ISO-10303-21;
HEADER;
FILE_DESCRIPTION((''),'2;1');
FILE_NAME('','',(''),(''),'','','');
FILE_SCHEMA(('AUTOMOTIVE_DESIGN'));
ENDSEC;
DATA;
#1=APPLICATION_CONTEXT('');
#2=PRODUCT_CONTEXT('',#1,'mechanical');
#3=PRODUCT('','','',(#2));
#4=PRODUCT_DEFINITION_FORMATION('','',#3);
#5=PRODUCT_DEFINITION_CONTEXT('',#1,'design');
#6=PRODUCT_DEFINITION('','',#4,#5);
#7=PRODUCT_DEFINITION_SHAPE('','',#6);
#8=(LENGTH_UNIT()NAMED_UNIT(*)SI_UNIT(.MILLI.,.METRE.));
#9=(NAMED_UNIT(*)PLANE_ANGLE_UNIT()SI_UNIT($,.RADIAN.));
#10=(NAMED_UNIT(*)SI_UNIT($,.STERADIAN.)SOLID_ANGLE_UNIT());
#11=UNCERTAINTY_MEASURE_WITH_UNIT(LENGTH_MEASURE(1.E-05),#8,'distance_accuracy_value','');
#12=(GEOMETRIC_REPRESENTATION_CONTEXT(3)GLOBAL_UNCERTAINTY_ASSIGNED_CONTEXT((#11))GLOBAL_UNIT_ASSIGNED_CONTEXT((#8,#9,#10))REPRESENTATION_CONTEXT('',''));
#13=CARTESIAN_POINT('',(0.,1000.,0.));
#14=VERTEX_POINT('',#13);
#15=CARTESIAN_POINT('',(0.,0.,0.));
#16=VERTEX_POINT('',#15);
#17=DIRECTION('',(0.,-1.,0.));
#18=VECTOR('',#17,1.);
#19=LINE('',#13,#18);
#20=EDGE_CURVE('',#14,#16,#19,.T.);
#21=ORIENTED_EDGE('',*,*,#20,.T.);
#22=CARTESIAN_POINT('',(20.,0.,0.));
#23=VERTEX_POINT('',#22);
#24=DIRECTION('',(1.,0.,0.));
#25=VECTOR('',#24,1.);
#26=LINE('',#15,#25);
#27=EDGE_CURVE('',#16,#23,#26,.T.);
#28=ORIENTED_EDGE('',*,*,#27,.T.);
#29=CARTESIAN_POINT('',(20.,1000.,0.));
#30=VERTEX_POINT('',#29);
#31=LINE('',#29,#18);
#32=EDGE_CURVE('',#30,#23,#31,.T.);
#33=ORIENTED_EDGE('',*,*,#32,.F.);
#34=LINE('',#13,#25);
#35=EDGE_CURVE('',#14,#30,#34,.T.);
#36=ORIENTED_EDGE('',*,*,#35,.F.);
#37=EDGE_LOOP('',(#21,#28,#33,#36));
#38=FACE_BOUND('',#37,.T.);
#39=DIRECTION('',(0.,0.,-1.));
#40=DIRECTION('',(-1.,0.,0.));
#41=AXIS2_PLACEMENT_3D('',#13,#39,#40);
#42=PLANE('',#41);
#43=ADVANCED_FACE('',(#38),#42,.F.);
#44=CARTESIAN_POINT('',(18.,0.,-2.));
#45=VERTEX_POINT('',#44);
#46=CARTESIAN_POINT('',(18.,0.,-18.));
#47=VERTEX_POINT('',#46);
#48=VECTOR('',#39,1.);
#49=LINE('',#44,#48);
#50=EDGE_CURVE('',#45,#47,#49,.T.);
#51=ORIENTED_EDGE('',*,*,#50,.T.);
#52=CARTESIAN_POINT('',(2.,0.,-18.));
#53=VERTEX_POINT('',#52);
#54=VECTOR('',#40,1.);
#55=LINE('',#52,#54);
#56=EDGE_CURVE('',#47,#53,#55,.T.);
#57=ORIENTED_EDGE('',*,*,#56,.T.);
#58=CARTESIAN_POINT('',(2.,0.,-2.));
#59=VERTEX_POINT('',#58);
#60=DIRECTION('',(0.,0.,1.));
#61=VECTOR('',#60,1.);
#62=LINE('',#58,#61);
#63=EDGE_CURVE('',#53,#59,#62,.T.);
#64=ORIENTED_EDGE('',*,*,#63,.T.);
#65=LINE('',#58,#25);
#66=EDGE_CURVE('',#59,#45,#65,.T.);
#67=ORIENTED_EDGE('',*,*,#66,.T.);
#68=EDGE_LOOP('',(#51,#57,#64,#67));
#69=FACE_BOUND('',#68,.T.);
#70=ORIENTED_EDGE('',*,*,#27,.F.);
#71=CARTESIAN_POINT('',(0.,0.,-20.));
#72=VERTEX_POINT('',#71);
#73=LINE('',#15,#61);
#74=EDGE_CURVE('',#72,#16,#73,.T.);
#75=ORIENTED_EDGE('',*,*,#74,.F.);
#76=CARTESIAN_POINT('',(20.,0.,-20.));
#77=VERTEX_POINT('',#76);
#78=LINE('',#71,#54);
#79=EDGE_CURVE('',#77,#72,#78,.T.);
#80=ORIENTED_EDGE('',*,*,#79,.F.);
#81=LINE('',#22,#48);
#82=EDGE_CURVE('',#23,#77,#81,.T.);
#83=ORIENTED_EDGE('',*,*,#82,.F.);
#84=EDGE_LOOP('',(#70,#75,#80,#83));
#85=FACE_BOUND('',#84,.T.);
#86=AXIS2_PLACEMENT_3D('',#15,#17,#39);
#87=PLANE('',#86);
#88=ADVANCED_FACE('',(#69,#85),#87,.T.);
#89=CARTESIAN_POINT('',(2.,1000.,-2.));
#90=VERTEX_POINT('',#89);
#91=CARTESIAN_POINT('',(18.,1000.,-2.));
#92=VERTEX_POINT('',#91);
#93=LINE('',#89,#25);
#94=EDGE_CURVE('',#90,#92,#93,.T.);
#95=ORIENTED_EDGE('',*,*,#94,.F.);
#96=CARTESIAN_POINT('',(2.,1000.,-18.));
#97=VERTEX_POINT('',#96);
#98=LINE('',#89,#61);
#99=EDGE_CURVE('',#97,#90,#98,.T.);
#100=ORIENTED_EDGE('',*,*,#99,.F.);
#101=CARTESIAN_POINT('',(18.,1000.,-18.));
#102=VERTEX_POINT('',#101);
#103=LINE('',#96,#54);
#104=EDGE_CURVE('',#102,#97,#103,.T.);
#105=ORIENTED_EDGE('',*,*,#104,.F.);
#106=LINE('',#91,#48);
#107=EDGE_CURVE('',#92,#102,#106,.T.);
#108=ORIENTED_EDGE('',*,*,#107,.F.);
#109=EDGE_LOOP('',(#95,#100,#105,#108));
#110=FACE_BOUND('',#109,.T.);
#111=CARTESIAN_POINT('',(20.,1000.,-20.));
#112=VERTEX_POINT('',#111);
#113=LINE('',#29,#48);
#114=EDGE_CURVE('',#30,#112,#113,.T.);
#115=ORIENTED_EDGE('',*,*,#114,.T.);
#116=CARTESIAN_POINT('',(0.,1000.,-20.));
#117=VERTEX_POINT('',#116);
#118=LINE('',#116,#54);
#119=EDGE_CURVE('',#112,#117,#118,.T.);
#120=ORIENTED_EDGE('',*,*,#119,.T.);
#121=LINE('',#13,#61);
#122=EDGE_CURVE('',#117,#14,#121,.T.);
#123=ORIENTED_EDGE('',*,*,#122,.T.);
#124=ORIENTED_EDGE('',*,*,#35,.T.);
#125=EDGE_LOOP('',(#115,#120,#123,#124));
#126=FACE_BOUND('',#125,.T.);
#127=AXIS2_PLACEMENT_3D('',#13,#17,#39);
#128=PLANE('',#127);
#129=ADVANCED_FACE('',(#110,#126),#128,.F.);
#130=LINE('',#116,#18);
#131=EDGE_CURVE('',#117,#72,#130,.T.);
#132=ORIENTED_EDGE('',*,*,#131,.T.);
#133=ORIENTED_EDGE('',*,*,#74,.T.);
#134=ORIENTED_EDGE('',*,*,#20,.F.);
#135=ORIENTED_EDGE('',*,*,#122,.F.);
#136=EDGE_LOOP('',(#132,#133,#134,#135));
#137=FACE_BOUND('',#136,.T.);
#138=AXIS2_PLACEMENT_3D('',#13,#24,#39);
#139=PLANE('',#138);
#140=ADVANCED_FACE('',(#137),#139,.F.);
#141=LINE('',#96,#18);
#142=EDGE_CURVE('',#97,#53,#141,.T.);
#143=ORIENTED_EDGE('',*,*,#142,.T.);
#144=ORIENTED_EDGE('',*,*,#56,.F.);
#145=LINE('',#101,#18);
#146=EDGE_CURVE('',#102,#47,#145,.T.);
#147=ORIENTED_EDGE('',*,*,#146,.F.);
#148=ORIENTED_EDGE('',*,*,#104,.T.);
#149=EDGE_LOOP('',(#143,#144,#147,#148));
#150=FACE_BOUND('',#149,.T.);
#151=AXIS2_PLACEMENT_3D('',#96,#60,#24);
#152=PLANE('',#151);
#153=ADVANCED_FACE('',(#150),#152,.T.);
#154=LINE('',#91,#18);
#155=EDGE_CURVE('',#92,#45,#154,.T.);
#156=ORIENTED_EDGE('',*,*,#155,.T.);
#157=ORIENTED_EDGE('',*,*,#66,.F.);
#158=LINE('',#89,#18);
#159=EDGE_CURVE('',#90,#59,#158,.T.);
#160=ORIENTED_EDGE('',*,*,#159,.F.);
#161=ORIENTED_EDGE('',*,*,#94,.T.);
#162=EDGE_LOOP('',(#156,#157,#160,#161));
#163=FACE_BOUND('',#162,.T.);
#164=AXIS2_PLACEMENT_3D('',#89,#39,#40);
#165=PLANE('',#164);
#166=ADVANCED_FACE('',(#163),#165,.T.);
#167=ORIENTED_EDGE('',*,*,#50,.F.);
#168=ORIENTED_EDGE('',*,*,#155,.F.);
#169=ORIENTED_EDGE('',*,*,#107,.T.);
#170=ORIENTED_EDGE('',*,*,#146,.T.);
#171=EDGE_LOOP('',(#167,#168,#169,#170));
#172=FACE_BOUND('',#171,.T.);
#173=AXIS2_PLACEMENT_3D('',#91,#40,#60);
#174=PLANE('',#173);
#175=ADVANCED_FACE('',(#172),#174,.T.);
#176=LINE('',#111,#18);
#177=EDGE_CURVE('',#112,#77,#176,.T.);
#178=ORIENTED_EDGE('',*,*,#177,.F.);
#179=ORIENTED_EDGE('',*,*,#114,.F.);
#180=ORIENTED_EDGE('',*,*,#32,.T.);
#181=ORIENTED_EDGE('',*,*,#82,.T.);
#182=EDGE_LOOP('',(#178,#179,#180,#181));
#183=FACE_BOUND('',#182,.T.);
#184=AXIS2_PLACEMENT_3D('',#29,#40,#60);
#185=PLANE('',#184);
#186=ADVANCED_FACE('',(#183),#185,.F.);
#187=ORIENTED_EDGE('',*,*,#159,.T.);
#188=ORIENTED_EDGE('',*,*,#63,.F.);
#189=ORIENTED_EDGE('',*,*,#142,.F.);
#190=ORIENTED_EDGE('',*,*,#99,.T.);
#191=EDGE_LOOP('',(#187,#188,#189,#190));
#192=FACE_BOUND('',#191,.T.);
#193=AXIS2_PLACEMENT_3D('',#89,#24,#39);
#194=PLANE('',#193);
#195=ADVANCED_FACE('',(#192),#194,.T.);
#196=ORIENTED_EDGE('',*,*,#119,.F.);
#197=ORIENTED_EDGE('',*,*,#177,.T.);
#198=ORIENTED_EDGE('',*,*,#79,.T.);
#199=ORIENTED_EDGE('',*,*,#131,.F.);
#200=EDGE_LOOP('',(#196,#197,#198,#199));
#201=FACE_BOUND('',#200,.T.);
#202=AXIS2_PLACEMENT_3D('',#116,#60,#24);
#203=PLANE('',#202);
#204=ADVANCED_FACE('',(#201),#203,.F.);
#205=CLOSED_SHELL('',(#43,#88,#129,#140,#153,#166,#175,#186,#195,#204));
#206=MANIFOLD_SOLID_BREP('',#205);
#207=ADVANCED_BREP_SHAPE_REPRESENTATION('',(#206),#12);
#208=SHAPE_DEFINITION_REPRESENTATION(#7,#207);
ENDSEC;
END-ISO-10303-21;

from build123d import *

# Parameters (mm, degrees)
SKETCH1_W           = 20
SKETCH1_H           = 20
SKETCH1_W_2         = 16
SKETCH1_H_2         = 16
BOSS_EXTRUDE1_DEPTH = 1000


with BuildPart() as part:
    # Sketch1 → Boss-Extrude1 (new body)
    with BuildSketch(Plane(origin=(0, 0, 0), x_dir=(1, 0, 0), z_dir=(0, 1, 0))):
        with Locations((10, 10)):
            Rectangle(SKETCH1_W, SKETCH1_H)
        with Locations((10, 10)):
            Rectangle(SKETCH1_W_2, SKETCH1_H_2, mode=Mode.SUBTRACT)
    extrude(amount=BOSS_EXTRUDE1_DEPTH)


solid = part.part
